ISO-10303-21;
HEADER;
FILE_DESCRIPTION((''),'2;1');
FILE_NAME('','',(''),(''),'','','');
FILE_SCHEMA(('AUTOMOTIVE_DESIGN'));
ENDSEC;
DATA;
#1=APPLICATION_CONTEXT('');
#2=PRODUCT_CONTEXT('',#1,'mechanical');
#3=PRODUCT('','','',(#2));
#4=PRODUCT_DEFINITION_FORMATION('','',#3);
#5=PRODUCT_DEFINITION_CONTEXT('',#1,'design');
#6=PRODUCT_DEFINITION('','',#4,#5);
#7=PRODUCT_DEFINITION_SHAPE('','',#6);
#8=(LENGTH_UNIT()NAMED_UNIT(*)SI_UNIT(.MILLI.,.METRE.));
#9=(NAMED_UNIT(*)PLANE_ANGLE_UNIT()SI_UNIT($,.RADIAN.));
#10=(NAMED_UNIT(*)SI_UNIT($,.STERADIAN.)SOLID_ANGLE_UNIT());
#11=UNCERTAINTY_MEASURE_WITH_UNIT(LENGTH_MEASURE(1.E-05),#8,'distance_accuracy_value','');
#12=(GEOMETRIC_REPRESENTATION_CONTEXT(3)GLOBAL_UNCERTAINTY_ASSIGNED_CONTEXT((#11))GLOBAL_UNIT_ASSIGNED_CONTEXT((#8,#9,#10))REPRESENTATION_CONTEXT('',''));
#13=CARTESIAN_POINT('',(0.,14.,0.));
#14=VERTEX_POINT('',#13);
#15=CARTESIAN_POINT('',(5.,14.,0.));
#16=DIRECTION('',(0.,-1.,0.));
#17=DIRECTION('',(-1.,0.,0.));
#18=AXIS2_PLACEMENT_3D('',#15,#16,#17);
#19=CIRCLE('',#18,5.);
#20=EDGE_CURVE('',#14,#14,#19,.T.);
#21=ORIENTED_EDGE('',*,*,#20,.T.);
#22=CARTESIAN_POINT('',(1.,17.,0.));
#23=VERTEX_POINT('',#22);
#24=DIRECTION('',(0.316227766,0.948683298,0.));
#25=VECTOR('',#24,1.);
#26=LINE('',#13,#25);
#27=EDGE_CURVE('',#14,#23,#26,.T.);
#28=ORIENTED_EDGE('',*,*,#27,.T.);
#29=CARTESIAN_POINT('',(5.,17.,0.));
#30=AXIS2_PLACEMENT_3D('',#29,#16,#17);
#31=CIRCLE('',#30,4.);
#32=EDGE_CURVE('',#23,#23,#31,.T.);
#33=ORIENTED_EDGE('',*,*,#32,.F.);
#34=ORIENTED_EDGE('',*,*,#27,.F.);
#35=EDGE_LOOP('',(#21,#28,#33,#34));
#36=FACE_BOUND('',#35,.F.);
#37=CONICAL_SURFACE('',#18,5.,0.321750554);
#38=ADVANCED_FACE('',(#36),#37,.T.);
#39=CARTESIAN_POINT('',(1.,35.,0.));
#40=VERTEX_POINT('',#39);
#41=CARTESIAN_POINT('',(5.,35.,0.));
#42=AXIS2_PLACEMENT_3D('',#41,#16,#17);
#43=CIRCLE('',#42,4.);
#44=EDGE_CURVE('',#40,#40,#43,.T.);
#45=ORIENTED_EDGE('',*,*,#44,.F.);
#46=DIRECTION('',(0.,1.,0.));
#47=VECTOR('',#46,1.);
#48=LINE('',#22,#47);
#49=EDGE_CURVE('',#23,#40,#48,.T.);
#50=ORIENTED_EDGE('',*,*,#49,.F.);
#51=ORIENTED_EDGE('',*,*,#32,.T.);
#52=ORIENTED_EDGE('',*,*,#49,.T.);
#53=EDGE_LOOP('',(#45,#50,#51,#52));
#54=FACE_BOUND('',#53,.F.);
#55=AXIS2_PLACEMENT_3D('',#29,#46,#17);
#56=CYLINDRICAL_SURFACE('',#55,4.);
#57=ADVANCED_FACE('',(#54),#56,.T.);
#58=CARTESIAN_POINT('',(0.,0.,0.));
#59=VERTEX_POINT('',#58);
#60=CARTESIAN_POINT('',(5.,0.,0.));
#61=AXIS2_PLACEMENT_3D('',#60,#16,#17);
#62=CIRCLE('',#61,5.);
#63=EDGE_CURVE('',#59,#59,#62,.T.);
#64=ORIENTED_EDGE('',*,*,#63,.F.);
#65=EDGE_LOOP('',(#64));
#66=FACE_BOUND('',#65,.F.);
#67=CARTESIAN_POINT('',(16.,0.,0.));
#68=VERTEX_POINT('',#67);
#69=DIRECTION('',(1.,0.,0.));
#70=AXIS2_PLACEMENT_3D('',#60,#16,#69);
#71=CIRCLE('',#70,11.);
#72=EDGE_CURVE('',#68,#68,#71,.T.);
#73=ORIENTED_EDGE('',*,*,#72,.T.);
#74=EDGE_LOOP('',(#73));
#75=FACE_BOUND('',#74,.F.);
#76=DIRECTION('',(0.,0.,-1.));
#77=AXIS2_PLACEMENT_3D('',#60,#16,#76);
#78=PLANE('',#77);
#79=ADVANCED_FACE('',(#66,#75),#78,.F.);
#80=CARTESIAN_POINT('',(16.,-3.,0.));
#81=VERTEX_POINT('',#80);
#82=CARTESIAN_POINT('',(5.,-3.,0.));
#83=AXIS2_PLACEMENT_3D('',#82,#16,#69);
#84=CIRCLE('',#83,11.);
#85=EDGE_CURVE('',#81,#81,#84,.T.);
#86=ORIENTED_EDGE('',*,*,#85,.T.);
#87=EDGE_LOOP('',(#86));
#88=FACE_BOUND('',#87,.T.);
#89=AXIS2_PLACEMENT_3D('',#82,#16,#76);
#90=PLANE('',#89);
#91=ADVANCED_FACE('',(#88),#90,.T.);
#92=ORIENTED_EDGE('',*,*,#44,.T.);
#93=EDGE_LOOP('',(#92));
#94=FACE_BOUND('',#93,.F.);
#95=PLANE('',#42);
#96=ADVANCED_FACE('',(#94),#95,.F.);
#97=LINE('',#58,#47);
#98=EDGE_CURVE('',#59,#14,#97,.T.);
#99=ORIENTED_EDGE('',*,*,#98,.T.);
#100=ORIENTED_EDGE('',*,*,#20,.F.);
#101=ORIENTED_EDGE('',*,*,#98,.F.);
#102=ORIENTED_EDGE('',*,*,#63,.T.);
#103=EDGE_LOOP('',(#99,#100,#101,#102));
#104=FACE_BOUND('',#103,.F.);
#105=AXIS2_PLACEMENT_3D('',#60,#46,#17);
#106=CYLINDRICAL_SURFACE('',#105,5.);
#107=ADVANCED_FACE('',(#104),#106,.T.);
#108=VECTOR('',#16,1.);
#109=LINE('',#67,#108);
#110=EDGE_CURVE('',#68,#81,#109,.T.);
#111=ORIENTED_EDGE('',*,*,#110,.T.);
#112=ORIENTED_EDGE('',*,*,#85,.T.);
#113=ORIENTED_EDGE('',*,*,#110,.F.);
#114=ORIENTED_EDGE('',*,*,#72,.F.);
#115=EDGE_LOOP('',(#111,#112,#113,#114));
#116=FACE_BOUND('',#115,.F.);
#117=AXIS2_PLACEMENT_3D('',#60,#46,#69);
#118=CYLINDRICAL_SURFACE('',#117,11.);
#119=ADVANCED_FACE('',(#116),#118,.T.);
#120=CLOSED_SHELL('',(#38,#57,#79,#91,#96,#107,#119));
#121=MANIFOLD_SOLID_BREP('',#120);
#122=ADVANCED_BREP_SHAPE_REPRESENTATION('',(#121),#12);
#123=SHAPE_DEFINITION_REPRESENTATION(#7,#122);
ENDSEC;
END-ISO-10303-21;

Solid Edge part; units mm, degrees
sketch "Sketch1" plane through (0, 0, 0) normal (0, 0, 1) x (1, 0, 0)
  line L0 (5, 35) -> (5, 0)
  line L1 (5, 0) -> (0, 0)
  line L2 (0, 0) -> (0, 14)
  line L3 (0, 14) -> (1, 17)
  line L4 (1, 17) -> (1, 35)
  line L5 (1, 35) -> (5, 35)
revolve "RevolvedProtrusion1" add sketch "Sketch1" angle 360 about axis through (5, 35, 0) along (0, -1, 0)
sketch "Sketch2" plane through (5, 0, 0) normal (0, -1, 0) x (1, 0, 0)
  circle A0 centre (0, 0) radius 11
extrude "Protrusion1" add sketch "Sketch2" along normal blind 3
